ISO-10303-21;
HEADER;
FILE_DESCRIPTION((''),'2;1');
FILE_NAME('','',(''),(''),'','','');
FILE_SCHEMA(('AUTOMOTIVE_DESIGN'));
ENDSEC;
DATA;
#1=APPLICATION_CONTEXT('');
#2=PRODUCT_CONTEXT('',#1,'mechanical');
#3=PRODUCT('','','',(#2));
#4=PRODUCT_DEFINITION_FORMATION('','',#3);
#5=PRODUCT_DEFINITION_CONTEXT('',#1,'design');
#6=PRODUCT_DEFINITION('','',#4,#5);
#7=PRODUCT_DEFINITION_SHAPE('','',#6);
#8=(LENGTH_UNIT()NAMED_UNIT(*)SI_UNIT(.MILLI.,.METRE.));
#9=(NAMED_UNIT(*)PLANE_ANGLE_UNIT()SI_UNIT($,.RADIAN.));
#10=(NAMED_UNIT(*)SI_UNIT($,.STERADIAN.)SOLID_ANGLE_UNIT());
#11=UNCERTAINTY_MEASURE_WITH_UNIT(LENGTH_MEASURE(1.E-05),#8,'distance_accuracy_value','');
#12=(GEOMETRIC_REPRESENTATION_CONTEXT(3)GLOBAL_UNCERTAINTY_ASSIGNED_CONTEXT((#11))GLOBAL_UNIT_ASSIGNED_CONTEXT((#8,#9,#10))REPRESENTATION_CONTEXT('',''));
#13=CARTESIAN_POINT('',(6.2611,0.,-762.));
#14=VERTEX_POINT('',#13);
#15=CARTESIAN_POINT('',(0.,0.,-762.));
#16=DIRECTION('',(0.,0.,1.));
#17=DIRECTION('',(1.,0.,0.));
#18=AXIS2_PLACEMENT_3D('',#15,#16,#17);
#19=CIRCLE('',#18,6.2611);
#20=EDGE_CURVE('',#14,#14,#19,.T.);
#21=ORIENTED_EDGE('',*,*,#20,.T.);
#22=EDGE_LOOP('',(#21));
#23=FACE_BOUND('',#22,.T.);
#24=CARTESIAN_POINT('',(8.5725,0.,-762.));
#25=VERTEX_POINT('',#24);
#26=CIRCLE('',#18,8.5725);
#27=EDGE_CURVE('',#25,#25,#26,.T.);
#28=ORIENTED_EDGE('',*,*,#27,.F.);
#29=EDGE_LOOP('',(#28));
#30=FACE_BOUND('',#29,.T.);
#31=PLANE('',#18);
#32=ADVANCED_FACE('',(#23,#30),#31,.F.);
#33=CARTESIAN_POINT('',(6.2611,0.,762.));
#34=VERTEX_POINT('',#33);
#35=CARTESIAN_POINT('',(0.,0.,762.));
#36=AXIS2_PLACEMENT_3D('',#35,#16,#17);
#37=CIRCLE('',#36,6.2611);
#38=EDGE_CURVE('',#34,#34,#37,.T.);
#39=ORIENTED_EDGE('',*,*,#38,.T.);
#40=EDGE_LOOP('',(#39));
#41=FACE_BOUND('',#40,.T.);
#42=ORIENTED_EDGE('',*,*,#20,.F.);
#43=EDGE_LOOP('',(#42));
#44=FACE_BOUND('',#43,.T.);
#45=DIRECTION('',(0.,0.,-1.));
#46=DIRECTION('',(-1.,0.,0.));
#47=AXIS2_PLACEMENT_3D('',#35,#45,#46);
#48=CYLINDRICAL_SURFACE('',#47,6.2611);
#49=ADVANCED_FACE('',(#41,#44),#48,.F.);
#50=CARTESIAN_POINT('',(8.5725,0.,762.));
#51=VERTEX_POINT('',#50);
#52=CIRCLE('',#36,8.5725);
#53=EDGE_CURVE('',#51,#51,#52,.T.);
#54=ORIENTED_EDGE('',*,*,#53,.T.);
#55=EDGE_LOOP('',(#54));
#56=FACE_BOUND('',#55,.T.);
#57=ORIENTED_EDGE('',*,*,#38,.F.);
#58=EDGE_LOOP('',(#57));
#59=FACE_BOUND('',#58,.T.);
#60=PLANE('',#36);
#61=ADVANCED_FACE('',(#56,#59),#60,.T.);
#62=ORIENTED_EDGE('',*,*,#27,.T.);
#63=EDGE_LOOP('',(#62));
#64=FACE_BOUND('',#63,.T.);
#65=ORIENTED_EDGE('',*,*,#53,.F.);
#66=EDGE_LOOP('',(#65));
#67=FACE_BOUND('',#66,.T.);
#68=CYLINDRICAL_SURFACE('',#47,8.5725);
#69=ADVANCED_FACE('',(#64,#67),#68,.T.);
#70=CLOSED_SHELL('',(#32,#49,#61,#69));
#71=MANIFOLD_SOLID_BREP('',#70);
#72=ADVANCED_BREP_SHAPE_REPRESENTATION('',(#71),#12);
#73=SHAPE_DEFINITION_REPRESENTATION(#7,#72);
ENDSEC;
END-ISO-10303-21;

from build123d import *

# Parameters (mm, degrees)
SKETCH1_R           = 8.5725
SKETCH1_R_2         = 6.2611
EXTRUDE_THIN1_DEPTH = 762


with BuildPart() as part:
    # Sketch1 → Extrude-Thin1 (new body, symmetric)
    with BuildSketch(Plane.XY):
        Circle(SKETCH1_R)
        Circle(SKETCH1_R_2, mode=Mode.SUBTRACT)
    extrude(amount=EXTRUDE_THIN1_DEPTH, both=True)


solid = part.part
